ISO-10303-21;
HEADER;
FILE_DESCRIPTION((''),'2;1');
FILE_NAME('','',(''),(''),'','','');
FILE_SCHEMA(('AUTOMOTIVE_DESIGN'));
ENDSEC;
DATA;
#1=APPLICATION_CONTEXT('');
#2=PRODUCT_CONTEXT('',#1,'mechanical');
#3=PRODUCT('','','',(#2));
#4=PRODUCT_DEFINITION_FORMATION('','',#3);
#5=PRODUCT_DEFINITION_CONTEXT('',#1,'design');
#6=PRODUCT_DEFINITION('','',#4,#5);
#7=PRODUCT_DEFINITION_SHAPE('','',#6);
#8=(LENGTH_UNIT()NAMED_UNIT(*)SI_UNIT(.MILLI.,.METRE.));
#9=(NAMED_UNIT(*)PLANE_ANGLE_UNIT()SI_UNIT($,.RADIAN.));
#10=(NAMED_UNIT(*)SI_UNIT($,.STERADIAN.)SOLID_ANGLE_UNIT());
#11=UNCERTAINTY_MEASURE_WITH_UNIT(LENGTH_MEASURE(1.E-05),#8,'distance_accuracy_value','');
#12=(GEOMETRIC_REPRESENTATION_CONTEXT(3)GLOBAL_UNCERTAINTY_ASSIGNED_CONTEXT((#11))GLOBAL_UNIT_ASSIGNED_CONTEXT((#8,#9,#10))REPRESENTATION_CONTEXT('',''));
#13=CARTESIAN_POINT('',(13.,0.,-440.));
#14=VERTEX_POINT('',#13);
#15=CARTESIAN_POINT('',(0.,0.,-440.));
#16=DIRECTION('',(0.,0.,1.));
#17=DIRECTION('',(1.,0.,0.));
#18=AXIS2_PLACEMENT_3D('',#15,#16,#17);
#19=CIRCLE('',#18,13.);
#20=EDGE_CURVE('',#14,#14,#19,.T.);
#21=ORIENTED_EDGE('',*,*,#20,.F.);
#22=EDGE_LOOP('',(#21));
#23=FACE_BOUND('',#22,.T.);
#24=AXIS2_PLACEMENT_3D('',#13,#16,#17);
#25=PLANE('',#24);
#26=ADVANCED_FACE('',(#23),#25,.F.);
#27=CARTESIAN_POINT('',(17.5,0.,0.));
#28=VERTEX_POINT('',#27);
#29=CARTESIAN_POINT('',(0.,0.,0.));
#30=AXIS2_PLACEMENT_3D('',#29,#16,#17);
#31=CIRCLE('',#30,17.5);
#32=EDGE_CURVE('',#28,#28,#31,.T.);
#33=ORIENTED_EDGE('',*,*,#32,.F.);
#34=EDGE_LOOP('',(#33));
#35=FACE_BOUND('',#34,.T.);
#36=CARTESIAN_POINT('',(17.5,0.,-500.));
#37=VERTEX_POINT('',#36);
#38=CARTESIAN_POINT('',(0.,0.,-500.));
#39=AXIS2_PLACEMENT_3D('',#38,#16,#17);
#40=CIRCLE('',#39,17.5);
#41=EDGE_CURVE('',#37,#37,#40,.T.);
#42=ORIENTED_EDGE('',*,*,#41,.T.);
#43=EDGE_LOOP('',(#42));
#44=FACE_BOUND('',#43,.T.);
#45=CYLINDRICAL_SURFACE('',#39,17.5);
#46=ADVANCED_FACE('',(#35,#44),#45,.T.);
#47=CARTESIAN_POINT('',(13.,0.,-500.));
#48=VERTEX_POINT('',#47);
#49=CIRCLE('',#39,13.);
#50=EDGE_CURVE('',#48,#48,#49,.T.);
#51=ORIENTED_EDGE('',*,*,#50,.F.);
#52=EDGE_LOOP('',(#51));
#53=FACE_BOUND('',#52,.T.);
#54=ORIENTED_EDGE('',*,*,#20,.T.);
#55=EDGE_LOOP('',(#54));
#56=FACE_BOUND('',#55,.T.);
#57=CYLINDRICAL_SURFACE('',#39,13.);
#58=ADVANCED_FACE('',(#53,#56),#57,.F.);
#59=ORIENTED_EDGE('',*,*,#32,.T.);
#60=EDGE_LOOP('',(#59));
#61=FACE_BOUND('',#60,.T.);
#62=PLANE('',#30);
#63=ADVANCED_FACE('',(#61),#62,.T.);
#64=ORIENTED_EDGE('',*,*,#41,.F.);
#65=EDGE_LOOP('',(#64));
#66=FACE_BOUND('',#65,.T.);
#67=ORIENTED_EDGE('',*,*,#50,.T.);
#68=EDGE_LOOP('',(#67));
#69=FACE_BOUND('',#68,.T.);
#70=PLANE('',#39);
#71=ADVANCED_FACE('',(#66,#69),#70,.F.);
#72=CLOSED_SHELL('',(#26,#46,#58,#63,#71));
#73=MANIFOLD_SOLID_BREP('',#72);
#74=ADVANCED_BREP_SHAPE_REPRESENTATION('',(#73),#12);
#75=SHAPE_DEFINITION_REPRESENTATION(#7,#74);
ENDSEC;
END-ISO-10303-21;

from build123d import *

# Parameters (mm, degrees)
SKETCH1_R           = 17.5
BOSS_EXTRUDE1_DEPTH = 500
SKETCH3_W           = 13
SKETCH3_H           = 60


with BuildPart() as part:
    # Sketch1 → Boss-Extrude1 (new body)
    with BuildSketch(Plane.XY):
        Circle(SKETCH1_R)
    extrude(amount=-BOSS_EXTRUDE1_DEPTH)

    # Sketch3 → Cut-Revolve1 (revolve, cut)
    with BuildSketch(Plane(origin=(0, 0, 0), x_dir=(1, 0, 0), z_dir=(0, 1, 0))):
        with Locations((6.5, 470)):
            Rectangle(SKETCH3_W, SKETCH3_H)
    revolve(axis=Axis((0, 0, -500), (0, 0, -1)), mode=Mode.SUBTRACT)


solid = part.part
